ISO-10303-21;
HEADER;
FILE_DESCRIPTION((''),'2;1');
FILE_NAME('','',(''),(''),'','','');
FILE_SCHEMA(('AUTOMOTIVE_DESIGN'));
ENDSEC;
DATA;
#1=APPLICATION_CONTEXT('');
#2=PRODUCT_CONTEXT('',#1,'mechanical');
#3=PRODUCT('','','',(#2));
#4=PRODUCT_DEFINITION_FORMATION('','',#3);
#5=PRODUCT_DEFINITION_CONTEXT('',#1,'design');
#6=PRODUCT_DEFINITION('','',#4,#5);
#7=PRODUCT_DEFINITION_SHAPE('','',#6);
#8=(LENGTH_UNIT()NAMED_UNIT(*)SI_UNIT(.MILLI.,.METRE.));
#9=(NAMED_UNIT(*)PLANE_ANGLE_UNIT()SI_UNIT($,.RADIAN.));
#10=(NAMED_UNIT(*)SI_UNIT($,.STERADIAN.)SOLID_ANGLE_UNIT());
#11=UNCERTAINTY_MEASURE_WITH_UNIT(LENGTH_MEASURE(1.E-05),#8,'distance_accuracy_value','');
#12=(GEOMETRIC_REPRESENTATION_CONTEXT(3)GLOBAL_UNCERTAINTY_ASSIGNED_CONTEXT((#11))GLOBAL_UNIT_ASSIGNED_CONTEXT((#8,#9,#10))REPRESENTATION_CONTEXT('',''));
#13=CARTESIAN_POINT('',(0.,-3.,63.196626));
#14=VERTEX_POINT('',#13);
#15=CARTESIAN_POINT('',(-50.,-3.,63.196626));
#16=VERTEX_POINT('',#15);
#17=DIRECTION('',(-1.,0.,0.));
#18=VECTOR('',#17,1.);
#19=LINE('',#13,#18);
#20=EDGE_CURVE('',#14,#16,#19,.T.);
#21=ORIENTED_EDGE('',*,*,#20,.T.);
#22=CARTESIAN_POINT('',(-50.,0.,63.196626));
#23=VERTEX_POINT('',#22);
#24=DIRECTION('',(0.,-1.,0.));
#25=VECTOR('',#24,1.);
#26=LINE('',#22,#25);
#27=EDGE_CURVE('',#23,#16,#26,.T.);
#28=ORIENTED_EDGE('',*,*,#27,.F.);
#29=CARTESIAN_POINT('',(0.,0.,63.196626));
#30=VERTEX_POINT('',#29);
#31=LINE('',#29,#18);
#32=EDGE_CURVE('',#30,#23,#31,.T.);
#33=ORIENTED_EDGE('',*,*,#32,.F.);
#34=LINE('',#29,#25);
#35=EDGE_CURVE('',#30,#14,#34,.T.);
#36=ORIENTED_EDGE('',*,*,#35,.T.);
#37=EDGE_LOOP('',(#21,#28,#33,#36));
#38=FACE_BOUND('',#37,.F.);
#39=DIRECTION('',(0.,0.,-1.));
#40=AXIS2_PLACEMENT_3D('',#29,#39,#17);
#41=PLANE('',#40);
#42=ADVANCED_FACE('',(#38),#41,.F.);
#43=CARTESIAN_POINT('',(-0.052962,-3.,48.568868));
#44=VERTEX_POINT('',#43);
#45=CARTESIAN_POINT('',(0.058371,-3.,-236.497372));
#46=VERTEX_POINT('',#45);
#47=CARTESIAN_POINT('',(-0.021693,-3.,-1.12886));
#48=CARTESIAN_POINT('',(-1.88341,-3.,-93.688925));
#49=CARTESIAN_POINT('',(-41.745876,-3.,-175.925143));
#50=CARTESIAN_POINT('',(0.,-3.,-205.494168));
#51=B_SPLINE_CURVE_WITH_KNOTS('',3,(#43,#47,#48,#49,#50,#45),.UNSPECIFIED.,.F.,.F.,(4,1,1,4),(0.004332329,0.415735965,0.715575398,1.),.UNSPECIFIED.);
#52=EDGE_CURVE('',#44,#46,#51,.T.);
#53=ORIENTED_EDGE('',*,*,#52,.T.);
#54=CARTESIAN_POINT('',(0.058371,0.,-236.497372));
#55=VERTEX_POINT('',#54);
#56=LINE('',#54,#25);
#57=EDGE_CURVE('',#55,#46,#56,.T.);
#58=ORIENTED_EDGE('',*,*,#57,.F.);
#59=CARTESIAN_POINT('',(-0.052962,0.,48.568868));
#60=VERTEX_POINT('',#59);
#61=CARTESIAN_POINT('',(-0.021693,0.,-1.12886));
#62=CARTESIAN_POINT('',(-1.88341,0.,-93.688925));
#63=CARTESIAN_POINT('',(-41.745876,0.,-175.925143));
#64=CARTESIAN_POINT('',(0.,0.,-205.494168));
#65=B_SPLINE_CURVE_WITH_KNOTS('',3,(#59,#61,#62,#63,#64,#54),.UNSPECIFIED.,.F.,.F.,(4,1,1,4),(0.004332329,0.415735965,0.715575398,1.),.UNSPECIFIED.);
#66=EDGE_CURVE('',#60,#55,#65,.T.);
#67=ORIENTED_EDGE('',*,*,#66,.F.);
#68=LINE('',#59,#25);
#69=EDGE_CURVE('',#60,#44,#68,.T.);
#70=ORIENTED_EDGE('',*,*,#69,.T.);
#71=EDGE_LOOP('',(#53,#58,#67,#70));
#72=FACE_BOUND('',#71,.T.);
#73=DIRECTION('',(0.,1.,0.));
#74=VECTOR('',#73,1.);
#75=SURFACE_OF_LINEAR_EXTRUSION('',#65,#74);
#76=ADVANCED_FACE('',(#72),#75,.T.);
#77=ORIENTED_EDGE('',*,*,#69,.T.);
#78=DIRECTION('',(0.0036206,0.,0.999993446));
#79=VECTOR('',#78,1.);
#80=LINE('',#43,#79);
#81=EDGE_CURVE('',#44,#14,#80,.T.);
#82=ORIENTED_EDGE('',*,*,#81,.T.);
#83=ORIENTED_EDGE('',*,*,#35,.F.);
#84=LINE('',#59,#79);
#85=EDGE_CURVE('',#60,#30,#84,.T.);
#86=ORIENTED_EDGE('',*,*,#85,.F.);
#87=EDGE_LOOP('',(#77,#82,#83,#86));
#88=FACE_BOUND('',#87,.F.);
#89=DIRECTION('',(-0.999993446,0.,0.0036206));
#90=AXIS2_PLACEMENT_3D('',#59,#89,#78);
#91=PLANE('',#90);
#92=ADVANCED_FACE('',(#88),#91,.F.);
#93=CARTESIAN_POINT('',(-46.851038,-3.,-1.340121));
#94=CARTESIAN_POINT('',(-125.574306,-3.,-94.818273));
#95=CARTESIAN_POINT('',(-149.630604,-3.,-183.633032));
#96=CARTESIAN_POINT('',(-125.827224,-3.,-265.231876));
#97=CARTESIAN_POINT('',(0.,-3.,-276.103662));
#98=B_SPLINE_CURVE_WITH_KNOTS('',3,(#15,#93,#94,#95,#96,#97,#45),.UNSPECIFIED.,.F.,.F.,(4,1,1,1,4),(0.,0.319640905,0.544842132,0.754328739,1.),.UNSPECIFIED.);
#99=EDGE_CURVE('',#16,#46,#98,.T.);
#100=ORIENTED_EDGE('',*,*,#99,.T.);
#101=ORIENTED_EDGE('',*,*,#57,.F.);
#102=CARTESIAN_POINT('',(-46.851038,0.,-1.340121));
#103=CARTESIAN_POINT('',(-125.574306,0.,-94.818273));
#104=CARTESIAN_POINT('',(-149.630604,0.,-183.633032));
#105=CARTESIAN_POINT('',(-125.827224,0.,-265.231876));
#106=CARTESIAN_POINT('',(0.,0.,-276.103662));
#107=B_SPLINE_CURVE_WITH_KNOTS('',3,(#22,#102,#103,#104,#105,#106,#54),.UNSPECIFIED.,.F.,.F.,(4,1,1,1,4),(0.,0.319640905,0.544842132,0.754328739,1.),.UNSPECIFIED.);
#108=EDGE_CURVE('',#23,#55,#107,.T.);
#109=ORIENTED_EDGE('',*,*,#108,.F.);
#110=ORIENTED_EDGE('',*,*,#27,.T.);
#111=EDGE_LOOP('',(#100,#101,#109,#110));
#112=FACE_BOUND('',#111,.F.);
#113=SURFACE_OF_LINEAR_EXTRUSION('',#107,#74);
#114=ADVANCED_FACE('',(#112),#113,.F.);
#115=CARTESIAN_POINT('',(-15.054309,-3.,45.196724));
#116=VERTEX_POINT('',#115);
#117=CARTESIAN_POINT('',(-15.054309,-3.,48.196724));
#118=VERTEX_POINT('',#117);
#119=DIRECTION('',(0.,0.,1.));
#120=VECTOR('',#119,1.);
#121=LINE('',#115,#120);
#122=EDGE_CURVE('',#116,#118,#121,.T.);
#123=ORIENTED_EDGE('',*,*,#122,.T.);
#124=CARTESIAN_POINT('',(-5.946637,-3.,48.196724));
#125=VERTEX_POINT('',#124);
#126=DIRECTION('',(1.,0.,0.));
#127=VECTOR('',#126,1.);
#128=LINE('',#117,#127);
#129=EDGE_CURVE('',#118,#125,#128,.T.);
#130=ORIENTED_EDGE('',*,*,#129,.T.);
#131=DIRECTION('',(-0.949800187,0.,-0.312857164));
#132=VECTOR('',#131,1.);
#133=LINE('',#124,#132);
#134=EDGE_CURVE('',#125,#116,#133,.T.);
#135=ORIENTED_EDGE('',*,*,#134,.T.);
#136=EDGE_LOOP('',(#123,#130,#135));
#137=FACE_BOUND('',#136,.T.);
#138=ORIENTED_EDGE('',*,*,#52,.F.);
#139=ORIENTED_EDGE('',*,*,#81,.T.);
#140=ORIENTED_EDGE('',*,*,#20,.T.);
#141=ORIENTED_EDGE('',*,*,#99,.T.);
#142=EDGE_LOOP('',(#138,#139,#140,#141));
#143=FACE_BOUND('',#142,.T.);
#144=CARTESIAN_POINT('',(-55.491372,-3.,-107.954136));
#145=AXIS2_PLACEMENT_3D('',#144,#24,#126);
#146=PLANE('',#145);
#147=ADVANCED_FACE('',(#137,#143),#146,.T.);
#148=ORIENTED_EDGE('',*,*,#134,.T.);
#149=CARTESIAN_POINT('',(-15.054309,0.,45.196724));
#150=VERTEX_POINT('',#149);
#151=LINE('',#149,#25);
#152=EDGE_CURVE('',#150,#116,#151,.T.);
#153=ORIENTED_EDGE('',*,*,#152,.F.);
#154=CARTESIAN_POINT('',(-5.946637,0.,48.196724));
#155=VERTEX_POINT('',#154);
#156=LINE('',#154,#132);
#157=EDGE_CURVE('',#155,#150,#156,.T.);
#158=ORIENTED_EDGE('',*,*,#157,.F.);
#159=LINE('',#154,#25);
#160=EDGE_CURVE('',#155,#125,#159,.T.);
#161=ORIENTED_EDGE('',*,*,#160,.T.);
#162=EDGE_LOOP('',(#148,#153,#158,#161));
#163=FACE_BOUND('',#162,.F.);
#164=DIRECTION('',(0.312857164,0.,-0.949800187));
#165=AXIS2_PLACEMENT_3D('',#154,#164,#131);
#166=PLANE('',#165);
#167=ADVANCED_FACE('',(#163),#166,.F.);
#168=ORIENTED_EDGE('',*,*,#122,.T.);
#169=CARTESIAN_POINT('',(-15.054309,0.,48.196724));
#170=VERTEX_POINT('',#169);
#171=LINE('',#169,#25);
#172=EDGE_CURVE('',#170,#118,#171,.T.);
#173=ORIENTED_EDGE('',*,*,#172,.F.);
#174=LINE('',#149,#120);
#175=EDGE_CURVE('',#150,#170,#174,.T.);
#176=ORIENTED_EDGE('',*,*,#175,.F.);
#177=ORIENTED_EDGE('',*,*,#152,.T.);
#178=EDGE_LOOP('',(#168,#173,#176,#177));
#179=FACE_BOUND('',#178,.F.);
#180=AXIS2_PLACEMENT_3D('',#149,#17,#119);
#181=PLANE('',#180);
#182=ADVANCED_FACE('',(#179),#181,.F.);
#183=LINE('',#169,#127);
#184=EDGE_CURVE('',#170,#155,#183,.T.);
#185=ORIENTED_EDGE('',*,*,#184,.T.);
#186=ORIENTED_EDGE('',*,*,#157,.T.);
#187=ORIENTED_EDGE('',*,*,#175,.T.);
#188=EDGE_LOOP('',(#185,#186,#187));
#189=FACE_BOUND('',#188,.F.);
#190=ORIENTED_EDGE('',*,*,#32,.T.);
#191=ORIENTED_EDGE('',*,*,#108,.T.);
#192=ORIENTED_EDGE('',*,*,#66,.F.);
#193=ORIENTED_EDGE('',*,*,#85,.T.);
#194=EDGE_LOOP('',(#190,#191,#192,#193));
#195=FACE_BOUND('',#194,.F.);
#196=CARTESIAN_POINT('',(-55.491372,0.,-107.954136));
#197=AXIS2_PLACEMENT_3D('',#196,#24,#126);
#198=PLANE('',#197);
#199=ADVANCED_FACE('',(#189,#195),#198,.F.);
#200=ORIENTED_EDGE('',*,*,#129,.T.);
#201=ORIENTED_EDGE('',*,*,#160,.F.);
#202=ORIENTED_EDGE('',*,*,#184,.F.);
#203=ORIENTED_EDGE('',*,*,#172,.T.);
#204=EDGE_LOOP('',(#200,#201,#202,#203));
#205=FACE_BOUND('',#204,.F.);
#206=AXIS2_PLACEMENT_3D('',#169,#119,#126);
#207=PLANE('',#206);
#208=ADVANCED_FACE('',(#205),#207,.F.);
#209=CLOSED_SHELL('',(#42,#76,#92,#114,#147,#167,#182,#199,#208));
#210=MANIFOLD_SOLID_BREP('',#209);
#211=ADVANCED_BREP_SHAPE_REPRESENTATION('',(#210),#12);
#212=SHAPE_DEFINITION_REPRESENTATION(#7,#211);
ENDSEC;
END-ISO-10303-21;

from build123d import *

# Parameters (mm, degrees)
F1_DEPTH = 3


with BuildPart() as f1:
    # F0 (on Front) → F1 (new body)
    with BuildSketch(Plane.XZ):
        with BuildLine():
            Line((-0.0529616107, 48.5688680409), (0, 63.1966261176))
            Line((0, 63.1966261176), (-50, 63.1966261176))
            add(Edge.make_bspline(
                [(-50, 63.1966261176), (-46.8510376398, -1.3401209196), (-125.5743059459, -94.8182731653), (-149.6306044119, -183.6330319601), (-125.8272238071, -265.2318757542), (0, -276.1036621388), (0.0583705459, -236.4973720111)],
                knots=[0, 0, 0, 0, 0.3196409048, 0.5448421319, 0.7543287392, 1, 1, 1, 1], degree=3))
            add(Edge.make_bspline(
                [(-0.0529616107, 48.5688680409), (-0.0216927736, -1.1288597334), (-1.8834100071, -93.6889248449), (-41.7458763761, -175.9251427873), (0, -205.4941677464), (0.0583705459, -236.4973720111)],
                knots=[0.0043323289, 0.0043323289, 0.0043323289, 0.0043323289, 0.4157359652, 0.7155753978, 1, 1, 1, 1], degree=3))
        make_face()
        Polygon((-15.0543090027, 48.1967244335), (-5.9466366033, 48.1967244335), (-15.0543090027, 45.1967244335), align=None, mode=Mode.SUBTRACT)
        with BuildLine():
            add(Edge.make_bspline(
                [(-0.0543090027, 50.1376136121), (-0.0537430558, 49.6151362408), (-0.0532908904, 49.0922151509), (-0.0529616107, 48.5688680409)],
                knots=[0, 0, 0, 0, 0.0043323289, 0.0043323289, 0.0043323289, 0.0043323289], degree=3))
            Line((-0.0529616107, 48.5688680409), (-0.0543090027, 48.1967244335))
            Line((-0.0543090027, 48.1967244335), (-5.9466366033, 48.1967244335))
            Line((-5.9466366033, 48.1967244335), (-0.0543090027, 50.1376136121))
        make_face(mode=Mode.SUBTRACT)
        with BuildLine():
            Line((-0.0543090027, 48.1967244335), (-0.0529616107, 48.5688680409))
            add(Edge.make_bspline(
                [(-0.0543090027, 50.1376136121), (-0.0537430558, 49.6151362408), (-0.0532908904, 49.0922151509), (-0.0529616107, 48.5688680409)],
                knots=[0, 0, 0, 0, 0.0043323289, 0.0043323289, 0.0043323289, 0.0043323289], degree=3))
            Line((-0.0543090027, 50.1376136121), (-5.9466366033, 48.1967244335))
            Line((-5.9466366033, 48.1967244335), (-0.0543090027, 48.1967244335))
        make_face()
    extrude(amount=F1_DEPTH)


solid = f1.part
